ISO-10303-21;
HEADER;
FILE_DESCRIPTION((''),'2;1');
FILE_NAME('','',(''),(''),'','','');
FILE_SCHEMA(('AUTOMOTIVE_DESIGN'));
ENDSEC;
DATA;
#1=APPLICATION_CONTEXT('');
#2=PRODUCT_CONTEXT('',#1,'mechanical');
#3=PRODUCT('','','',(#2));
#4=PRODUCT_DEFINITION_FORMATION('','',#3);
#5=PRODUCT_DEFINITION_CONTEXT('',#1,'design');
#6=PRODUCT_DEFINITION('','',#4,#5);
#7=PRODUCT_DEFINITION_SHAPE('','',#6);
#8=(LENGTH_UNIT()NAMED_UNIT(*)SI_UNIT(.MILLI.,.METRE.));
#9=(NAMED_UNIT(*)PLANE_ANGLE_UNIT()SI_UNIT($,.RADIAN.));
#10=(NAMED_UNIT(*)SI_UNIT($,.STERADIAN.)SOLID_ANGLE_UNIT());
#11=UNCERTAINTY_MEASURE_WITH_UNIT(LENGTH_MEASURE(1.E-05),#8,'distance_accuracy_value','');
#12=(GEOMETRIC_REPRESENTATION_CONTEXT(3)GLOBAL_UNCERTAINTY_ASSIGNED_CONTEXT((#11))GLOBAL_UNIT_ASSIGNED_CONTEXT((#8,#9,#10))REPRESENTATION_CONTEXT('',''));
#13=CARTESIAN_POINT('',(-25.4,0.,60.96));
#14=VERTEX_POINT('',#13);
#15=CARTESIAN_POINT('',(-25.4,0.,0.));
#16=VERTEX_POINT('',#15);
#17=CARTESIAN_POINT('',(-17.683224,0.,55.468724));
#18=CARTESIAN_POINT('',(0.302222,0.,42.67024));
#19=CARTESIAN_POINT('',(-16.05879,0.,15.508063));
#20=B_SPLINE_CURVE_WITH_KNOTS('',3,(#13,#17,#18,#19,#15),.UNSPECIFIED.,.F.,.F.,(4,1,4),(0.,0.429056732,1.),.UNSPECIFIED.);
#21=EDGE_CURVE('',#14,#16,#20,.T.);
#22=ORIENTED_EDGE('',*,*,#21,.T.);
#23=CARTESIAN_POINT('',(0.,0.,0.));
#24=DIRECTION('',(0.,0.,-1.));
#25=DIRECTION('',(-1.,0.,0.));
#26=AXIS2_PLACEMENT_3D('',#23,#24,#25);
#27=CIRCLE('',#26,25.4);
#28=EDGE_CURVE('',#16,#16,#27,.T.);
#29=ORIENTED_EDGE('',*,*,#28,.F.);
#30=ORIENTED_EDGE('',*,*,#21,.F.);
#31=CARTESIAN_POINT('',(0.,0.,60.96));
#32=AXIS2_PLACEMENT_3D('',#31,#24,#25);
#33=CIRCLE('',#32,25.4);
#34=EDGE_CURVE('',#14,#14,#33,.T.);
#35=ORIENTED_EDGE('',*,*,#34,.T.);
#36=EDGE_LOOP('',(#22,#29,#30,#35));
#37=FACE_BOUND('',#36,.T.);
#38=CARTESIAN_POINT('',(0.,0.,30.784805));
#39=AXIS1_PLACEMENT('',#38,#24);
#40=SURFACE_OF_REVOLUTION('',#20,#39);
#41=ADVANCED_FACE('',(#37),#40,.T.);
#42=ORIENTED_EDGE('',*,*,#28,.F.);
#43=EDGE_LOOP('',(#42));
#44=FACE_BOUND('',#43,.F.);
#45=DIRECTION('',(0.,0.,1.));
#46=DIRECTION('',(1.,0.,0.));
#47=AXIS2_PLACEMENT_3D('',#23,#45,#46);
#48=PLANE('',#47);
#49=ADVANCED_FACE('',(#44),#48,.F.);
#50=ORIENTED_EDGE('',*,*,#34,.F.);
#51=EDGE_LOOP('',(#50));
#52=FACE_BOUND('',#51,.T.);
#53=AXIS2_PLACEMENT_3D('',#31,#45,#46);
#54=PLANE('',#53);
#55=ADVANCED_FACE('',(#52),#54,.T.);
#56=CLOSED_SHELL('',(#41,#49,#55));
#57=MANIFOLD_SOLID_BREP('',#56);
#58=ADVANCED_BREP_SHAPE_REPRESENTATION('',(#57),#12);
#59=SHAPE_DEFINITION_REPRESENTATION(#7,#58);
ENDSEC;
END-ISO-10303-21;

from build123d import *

# Parameters (mm, degrees)
F0_R     = 25.4
F1_DEPTH = 60.96


with BuildPart() as f1:
    # F0 (on Top) → F1 (new body)
    with BuildSketch(Plane.XY):
        Circle(F0_R)
    extrude(amount=F1_DEPTH)

    # F2 (on Front) → F3 (revolve, cut)
    with BuildSketch(Plane.XZ):
        with BuildLine():
            add(Edge.make_bspline(
                [(-25.4, 60.96), (-17.6832236638, 55.46872433), (0.3022215159, 42.670240452), (-16.0587903951, 15.5080625893), (-25.4, 0)],
                knots=[0, 0, 0, 0, 0.4290567322, 1, 1, 1, 1], degree=3))
            Line((-25.4, 60.96), (-25.4, 0))
        make_face()
    revolve(axis=Axis((0, 0, 30.7848054908), (0, 0, -1)), mode=Mode.SUBTRACT)


solid = f1.part
